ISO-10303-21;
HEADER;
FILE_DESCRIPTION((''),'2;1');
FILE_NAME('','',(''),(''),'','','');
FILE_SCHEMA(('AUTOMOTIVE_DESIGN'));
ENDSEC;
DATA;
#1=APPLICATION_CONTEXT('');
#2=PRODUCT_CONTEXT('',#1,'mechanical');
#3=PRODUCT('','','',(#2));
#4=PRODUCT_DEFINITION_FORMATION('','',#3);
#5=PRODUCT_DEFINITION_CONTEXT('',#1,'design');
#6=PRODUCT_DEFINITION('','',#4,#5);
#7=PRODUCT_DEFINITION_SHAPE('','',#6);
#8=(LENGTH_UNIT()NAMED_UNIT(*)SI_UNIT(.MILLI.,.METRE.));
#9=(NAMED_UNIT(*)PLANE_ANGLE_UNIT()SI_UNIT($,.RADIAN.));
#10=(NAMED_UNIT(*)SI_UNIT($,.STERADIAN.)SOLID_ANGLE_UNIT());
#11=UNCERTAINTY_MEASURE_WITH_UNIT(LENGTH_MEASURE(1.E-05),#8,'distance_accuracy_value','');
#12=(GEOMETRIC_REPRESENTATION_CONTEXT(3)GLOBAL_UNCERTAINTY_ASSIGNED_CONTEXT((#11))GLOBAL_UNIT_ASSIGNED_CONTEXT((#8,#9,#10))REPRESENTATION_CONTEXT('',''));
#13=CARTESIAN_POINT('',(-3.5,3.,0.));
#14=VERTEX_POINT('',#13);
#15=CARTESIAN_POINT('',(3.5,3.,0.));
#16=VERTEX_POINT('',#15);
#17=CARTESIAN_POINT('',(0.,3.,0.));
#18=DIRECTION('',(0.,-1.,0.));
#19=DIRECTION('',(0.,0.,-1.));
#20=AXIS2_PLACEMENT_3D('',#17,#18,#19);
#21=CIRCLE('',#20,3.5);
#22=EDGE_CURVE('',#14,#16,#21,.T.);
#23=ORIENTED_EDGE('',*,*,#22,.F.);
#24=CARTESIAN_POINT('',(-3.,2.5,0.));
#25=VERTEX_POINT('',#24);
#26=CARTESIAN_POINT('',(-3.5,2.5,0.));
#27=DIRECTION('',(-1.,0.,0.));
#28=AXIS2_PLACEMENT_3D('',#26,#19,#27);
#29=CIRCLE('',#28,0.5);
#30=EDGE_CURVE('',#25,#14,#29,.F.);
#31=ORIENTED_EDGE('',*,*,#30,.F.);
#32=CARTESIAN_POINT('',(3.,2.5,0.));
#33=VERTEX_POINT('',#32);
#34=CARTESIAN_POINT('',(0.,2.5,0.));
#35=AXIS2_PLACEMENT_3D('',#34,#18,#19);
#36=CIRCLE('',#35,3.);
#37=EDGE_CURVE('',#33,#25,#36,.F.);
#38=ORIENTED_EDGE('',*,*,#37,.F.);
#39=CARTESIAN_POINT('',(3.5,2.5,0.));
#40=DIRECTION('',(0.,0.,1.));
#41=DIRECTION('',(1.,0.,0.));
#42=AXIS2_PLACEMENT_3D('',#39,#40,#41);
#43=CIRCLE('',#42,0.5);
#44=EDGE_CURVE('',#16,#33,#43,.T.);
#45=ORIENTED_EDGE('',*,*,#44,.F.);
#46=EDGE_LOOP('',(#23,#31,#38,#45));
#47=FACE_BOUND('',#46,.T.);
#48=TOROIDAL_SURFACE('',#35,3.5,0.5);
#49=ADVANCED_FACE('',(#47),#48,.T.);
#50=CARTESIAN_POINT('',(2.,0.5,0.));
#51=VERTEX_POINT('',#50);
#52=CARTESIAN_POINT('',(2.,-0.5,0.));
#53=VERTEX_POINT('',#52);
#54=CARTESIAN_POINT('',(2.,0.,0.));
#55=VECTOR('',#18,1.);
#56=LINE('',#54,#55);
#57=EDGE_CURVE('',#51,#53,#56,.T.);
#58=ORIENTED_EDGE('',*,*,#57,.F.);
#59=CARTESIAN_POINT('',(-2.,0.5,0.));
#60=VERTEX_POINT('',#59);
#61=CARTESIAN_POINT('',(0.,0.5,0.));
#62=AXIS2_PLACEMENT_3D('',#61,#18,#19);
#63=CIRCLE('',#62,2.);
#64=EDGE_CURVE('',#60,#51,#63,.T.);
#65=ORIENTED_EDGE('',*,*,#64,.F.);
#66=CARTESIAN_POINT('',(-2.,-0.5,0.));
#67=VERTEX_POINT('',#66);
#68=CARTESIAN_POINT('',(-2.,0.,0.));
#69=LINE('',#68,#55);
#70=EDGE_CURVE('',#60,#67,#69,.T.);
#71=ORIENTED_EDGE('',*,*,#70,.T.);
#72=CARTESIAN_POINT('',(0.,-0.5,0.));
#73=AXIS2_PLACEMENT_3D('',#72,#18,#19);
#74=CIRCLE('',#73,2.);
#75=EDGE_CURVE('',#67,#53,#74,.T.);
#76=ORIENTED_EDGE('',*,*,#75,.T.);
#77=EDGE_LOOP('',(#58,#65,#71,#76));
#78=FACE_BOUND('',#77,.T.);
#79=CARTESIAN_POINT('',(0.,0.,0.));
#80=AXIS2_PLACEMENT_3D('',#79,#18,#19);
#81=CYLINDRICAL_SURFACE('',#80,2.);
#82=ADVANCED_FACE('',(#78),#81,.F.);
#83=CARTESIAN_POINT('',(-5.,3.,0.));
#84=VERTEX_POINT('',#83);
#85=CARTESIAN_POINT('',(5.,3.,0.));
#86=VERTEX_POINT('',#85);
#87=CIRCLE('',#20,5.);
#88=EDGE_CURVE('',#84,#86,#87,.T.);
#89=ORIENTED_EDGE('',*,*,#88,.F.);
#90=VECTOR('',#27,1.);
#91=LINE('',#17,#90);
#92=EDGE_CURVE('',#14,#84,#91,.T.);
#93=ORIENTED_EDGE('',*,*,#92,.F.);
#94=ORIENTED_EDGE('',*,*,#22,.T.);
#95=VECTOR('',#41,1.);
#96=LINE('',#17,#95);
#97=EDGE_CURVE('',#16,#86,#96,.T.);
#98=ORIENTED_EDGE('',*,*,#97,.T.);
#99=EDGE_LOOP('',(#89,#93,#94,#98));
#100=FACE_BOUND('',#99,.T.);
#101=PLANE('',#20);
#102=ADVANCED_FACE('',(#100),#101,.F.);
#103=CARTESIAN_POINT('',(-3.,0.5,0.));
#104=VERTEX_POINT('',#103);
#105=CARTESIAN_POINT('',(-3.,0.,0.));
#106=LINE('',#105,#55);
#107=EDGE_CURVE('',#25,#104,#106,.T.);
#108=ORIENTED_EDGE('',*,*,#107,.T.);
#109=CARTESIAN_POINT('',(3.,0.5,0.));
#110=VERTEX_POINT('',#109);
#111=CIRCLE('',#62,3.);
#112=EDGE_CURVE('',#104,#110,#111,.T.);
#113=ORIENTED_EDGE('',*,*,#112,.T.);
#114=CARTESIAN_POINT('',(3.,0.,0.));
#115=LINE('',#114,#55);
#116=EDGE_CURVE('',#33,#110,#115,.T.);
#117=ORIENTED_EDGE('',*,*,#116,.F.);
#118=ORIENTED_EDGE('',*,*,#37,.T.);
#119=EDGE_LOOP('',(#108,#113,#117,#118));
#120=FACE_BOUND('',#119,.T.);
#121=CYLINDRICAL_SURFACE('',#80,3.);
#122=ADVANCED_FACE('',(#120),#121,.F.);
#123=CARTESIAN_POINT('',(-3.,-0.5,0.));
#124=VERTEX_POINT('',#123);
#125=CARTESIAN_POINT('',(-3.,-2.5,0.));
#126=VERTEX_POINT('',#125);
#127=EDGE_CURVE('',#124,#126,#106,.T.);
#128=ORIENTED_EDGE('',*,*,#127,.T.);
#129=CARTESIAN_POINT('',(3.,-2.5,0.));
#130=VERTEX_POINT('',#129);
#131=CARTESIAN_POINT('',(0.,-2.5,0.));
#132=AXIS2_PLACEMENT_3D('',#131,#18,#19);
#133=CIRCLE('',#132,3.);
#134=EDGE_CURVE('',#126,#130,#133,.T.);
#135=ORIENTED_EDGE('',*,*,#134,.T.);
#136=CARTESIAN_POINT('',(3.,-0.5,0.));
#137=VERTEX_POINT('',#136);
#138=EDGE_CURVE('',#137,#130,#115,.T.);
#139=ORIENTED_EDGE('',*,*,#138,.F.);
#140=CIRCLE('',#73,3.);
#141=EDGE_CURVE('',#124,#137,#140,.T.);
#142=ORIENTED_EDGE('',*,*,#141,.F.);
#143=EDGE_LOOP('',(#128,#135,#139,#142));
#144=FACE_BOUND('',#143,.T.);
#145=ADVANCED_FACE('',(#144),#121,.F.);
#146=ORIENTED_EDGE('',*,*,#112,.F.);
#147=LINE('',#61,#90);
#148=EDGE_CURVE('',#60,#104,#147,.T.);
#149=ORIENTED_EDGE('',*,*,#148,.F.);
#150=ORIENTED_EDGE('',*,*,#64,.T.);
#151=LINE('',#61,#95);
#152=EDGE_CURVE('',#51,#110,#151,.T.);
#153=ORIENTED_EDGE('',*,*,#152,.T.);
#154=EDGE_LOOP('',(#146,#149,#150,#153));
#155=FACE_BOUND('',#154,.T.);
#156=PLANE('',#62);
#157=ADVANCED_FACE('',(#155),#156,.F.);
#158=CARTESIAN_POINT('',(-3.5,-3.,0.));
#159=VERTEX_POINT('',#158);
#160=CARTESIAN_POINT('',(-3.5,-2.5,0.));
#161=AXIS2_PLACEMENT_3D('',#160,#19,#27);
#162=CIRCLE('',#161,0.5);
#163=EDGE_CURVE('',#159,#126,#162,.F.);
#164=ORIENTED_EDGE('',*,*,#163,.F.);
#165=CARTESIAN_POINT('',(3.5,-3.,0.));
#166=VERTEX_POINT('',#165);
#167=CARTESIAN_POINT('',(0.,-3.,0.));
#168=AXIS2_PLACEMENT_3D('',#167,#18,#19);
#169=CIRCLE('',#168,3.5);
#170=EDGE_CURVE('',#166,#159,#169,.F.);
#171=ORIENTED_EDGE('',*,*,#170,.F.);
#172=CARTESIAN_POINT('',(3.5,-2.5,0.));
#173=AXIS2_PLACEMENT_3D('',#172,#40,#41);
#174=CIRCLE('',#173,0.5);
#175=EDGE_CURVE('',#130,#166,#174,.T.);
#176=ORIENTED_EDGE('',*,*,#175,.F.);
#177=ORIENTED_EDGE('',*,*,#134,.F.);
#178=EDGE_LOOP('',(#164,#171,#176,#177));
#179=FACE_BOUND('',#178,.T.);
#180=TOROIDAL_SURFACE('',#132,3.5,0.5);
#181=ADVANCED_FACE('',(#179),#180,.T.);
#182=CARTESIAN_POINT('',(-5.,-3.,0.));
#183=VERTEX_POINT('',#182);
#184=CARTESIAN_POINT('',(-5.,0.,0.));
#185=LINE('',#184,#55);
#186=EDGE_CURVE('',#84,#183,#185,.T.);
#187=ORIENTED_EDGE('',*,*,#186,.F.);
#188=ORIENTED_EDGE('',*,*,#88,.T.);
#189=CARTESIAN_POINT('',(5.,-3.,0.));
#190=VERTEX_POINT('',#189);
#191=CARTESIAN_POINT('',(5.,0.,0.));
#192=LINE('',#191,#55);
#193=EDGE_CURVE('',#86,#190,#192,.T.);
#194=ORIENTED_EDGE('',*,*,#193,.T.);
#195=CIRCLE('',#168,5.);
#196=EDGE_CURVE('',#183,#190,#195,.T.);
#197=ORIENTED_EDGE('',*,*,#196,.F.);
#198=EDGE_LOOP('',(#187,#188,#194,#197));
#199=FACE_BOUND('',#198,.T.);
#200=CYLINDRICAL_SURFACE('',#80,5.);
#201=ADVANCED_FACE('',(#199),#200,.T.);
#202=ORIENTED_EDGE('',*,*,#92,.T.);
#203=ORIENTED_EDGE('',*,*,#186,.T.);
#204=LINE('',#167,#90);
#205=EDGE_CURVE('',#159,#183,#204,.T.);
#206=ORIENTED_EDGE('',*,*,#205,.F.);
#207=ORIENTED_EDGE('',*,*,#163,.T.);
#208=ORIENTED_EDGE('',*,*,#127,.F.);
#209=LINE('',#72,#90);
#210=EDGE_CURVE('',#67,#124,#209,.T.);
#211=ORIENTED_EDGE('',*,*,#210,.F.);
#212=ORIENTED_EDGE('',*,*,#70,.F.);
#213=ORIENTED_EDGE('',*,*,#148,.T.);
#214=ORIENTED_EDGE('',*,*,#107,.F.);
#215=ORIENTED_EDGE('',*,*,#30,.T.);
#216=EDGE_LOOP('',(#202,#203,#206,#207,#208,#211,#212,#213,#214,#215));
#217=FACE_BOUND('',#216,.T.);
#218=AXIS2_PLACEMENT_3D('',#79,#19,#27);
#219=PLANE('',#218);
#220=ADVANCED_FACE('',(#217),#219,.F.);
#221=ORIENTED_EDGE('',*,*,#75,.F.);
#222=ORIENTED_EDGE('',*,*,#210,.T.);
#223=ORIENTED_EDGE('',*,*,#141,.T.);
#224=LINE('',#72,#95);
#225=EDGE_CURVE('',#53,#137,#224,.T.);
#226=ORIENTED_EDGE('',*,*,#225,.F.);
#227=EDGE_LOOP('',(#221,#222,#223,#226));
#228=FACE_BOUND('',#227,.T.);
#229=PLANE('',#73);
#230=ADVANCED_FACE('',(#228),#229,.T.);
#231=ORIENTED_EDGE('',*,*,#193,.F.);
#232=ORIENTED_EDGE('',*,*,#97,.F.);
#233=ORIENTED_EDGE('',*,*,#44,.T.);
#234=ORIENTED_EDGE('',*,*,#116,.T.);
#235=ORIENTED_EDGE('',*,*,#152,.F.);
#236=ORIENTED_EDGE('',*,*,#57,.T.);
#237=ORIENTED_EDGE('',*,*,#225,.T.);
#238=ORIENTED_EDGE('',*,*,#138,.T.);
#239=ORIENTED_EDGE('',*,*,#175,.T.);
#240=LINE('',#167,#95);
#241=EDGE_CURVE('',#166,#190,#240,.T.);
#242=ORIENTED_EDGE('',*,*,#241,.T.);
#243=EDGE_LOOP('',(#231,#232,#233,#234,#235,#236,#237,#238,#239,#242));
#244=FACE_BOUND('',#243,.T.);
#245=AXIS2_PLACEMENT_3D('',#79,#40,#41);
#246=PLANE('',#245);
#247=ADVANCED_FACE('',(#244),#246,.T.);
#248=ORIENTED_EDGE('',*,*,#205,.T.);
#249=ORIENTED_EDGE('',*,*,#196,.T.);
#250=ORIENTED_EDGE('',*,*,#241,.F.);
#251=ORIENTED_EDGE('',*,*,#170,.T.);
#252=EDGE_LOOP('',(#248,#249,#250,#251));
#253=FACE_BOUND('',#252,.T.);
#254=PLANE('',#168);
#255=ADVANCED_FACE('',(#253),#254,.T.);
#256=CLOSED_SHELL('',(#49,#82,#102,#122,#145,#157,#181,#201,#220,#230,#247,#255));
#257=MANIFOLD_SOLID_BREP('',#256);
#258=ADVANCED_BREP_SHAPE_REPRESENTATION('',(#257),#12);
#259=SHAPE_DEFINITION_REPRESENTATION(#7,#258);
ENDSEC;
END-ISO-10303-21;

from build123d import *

# Parameters (mm, degrees)
SKETCH1_W      = 1
SKETCH1_H      = 1
SKETCH1_W_2    = 2
SKETCH1_H_2    = 6
REVOLVE2_ANGLE = 180
FILLET3_R      = 0.5


with BuildPart() as part:
    # Sketch1 → Revolve2 (revolve)
    with BuildSketch(Plane.XY):
        with Locations((2.5, 0)):
            Rectangle(SKETCH1_W, SKETCH1_H)
        with Locations((4, 0)):
            Rectangle(SKETCH1_W_2, SKETCH1_H_2)
    revolve(axis=Axis((0, 0, 0), (0, 1, 0)), revolution_arc=REVOLVE2_ANGLE)

    # Fillet3
    fillet3_edges = [part.edges().sort_by_distance(p)[0] for p in [
        (0, 3, -3),
        (0, -3, -3),
    ]]
    fillet(fillet3_edges, radius=FILLET3_R)


solid = part.part
